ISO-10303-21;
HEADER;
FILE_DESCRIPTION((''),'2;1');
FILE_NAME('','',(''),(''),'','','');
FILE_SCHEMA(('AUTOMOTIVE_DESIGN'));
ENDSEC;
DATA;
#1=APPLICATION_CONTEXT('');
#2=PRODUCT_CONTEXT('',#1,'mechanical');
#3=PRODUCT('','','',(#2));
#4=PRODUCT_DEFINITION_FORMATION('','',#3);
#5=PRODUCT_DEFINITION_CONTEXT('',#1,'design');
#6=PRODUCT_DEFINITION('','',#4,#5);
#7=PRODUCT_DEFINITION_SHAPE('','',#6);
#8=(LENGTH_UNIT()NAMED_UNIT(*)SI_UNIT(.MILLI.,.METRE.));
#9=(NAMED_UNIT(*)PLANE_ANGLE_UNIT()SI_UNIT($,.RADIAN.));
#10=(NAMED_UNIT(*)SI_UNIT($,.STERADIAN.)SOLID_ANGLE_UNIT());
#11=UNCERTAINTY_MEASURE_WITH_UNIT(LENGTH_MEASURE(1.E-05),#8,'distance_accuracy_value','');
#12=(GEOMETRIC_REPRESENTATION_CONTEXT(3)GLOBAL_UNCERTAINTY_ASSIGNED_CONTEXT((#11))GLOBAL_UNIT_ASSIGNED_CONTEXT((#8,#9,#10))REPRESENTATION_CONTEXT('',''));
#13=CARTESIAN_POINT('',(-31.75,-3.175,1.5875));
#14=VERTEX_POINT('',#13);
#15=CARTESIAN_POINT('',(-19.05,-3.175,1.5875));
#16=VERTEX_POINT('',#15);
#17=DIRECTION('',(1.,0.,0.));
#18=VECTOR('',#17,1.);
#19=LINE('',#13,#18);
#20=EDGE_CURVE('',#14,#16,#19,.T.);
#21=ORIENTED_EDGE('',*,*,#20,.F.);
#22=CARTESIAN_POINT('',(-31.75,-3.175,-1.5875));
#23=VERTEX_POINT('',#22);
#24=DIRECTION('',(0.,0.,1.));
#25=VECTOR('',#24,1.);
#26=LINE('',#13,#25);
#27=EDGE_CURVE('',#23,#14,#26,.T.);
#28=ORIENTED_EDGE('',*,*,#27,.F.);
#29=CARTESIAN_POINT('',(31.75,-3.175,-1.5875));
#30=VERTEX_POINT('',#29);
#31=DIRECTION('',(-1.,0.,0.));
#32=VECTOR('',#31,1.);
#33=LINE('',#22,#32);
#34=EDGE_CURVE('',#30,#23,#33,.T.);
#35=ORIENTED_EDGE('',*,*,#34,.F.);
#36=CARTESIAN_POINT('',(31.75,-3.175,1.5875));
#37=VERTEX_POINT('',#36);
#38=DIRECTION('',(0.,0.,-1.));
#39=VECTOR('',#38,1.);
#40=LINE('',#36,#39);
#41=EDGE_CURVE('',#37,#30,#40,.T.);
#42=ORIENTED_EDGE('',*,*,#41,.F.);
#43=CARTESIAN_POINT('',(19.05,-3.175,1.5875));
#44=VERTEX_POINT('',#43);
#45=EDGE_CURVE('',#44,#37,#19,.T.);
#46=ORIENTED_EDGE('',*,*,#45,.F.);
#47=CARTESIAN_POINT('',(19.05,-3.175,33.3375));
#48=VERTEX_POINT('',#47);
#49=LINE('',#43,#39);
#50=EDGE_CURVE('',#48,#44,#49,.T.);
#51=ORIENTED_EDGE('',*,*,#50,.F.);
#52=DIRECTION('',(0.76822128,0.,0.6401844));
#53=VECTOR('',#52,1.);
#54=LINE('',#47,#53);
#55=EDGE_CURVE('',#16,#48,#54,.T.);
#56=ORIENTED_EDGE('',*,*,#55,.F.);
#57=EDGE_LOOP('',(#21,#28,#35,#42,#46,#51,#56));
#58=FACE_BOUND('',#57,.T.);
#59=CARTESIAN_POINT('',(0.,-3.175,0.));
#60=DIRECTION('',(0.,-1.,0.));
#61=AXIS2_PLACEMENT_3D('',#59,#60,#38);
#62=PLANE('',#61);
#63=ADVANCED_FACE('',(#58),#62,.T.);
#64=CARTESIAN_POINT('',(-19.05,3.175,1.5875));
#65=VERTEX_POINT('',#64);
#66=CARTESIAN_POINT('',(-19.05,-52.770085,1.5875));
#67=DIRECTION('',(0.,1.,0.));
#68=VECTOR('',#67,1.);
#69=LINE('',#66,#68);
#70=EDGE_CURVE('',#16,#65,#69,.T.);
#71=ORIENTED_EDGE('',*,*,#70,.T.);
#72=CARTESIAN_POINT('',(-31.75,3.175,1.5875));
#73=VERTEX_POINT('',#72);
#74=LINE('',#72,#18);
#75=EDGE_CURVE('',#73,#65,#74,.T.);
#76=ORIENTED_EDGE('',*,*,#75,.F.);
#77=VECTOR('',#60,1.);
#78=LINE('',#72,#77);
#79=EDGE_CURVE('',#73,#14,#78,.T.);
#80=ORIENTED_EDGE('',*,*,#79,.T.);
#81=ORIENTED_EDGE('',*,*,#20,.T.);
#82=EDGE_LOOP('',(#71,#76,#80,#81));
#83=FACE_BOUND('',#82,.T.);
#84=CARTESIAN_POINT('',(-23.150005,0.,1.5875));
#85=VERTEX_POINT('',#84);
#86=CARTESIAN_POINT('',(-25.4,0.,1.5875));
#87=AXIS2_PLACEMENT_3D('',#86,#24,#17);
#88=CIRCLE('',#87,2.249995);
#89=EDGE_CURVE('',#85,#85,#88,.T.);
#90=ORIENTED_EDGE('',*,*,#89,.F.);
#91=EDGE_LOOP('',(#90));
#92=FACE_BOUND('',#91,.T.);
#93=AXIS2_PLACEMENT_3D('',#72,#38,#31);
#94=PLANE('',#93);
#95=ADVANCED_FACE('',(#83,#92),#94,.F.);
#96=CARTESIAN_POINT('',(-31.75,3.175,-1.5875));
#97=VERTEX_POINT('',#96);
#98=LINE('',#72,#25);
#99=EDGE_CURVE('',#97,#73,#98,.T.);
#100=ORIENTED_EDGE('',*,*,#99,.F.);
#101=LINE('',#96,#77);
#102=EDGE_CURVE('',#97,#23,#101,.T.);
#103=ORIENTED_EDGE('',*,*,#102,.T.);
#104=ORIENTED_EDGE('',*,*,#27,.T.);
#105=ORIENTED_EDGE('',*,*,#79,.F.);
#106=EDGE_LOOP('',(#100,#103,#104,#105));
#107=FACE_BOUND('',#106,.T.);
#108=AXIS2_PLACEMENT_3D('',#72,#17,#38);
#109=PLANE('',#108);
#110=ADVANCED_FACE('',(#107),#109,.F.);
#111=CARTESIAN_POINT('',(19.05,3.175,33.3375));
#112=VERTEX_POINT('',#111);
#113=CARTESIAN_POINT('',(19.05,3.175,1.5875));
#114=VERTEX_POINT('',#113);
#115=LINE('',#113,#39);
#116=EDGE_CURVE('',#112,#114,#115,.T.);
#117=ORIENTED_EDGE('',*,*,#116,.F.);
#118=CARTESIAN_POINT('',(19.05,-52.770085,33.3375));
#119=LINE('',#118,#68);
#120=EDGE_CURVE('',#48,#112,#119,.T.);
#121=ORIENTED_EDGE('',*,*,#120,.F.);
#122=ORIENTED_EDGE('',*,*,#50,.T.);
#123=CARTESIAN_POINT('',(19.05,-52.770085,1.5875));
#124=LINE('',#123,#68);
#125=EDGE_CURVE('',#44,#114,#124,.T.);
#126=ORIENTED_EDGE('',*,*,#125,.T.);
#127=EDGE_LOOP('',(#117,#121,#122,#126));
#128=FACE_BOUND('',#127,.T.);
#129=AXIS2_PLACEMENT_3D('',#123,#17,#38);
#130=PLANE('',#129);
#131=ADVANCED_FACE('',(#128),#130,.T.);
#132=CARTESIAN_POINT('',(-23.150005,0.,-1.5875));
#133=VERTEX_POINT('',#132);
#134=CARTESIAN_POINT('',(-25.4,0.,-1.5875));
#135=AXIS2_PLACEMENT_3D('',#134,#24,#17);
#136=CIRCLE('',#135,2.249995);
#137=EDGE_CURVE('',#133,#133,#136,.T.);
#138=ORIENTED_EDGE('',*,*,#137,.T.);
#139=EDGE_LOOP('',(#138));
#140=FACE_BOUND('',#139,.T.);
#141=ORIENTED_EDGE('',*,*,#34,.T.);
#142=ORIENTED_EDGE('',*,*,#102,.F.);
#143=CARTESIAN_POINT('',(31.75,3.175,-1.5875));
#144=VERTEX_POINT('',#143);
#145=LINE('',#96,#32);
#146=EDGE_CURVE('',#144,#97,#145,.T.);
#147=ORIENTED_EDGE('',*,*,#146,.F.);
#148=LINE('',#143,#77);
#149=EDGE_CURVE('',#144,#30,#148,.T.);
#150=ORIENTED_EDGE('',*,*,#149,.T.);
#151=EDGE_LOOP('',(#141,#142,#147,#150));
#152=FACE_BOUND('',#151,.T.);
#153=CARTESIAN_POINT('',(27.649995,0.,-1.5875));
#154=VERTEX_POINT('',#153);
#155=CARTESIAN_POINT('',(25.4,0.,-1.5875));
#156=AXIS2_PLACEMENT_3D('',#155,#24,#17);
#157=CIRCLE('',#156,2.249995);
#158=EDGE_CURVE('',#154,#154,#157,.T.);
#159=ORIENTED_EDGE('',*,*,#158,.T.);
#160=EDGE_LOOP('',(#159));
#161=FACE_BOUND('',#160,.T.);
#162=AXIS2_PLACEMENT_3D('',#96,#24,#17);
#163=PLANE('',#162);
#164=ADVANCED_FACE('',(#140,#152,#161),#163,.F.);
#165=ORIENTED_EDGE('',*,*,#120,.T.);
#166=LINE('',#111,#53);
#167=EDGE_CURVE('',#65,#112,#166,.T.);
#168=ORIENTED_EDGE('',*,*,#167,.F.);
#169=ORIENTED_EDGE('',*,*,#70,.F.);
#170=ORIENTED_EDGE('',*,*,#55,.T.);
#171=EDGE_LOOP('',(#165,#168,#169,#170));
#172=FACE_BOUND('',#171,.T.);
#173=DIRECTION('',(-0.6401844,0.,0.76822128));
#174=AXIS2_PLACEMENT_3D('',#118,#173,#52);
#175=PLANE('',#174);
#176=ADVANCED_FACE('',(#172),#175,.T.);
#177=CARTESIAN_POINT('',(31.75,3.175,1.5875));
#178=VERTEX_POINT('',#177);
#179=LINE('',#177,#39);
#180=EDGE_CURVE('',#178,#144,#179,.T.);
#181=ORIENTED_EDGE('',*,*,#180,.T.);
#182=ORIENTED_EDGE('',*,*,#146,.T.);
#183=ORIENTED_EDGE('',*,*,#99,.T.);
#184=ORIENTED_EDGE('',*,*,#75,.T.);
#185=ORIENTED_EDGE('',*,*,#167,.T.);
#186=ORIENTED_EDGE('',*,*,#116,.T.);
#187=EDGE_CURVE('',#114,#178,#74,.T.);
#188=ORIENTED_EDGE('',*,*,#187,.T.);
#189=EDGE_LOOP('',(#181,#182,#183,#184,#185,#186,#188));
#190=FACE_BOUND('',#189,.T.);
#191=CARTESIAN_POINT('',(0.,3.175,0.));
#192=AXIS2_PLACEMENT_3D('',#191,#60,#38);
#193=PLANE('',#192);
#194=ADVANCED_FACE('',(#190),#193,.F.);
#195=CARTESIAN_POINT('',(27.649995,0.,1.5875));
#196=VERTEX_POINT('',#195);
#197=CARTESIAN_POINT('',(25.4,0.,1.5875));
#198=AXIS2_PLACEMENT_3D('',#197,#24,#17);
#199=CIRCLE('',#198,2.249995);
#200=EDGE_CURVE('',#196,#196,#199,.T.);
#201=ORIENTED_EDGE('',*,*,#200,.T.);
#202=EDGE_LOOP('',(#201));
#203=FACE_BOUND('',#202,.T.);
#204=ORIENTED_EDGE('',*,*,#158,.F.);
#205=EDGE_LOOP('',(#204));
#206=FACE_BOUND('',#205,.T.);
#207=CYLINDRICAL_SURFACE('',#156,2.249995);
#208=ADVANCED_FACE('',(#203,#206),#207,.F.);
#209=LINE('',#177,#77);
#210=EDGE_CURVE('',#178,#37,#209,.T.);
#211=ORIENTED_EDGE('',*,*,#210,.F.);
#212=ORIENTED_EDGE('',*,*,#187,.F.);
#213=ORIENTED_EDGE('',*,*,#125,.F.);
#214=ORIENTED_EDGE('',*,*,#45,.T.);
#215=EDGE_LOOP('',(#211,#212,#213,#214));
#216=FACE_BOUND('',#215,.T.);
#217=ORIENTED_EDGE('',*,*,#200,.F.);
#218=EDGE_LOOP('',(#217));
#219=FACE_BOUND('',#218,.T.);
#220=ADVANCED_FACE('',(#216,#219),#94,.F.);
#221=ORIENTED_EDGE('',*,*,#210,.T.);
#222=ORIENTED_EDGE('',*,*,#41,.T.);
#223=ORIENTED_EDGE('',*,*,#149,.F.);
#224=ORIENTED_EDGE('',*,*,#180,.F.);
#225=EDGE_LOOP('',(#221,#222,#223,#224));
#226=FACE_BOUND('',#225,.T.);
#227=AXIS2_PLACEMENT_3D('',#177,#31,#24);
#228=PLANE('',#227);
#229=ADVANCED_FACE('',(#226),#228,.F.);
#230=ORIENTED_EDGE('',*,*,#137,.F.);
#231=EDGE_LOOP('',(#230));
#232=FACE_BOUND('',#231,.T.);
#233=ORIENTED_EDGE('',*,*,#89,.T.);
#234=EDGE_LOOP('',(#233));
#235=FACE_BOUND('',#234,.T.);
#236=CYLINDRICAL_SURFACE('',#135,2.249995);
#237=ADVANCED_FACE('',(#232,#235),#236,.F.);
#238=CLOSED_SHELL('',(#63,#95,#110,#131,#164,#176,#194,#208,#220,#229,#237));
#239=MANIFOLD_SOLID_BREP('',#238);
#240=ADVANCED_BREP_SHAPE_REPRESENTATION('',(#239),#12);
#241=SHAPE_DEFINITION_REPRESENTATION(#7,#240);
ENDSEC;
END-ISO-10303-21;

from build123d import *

# Parameters (mm, degrees)
SKETCH7_W           = 63.5
SKETCH7_H           = 3.175
BOSS_EXTRUDE4_DEPTH = 3.175
SKETCH8_R           = 2.2499955
CUT_EXTRUDE3_DEPTH  = 4.175
BOSS_EXTRUDE5_DEPTH = 6.35


with BuildPart() as part:
    # Sketch7 → Boss-Extrude4 (new body, symmetric)
    with BuildSketch(Plane(origin=(0, 0, 0), x_dir=(1, 0, 0), z_dir=(0, 1, 0))):
        Rectangle(SKETCH7_W, SKETCH7_H)
    extrude(amount=BOSS_EXTRUDE4_DEPTH, both=True)

    # Sketch8 → Cut-Extrude3 (cut, through all)
    with BuildSketch(Plane.XY.offset(1.5875)):
        with Locations((-25.4, 0)):
            Circle(SKETCH8_R)
        with Locations((25.4, 0)):
            Circle(SKETCH8_R)
    extrude(amount=-CUT_EXTRUDE3_DEPTH, mode=Mode.SUBTRACT)

    # Sketch9 → Boss-Extrude5 (add)
    with BuildSketch(Plane(origin=(0, 3.175, 0), x_dir=(1, 0, 0), z_dir=(0, 1, 0))):
        Polygon((19.05, -1.5875), (19.05, -33.3375), (-19.05, -1.5875), align=None)
    extrude(amount=-BOSS_EXTRUDE5_DEPTH)


solid = part.part
